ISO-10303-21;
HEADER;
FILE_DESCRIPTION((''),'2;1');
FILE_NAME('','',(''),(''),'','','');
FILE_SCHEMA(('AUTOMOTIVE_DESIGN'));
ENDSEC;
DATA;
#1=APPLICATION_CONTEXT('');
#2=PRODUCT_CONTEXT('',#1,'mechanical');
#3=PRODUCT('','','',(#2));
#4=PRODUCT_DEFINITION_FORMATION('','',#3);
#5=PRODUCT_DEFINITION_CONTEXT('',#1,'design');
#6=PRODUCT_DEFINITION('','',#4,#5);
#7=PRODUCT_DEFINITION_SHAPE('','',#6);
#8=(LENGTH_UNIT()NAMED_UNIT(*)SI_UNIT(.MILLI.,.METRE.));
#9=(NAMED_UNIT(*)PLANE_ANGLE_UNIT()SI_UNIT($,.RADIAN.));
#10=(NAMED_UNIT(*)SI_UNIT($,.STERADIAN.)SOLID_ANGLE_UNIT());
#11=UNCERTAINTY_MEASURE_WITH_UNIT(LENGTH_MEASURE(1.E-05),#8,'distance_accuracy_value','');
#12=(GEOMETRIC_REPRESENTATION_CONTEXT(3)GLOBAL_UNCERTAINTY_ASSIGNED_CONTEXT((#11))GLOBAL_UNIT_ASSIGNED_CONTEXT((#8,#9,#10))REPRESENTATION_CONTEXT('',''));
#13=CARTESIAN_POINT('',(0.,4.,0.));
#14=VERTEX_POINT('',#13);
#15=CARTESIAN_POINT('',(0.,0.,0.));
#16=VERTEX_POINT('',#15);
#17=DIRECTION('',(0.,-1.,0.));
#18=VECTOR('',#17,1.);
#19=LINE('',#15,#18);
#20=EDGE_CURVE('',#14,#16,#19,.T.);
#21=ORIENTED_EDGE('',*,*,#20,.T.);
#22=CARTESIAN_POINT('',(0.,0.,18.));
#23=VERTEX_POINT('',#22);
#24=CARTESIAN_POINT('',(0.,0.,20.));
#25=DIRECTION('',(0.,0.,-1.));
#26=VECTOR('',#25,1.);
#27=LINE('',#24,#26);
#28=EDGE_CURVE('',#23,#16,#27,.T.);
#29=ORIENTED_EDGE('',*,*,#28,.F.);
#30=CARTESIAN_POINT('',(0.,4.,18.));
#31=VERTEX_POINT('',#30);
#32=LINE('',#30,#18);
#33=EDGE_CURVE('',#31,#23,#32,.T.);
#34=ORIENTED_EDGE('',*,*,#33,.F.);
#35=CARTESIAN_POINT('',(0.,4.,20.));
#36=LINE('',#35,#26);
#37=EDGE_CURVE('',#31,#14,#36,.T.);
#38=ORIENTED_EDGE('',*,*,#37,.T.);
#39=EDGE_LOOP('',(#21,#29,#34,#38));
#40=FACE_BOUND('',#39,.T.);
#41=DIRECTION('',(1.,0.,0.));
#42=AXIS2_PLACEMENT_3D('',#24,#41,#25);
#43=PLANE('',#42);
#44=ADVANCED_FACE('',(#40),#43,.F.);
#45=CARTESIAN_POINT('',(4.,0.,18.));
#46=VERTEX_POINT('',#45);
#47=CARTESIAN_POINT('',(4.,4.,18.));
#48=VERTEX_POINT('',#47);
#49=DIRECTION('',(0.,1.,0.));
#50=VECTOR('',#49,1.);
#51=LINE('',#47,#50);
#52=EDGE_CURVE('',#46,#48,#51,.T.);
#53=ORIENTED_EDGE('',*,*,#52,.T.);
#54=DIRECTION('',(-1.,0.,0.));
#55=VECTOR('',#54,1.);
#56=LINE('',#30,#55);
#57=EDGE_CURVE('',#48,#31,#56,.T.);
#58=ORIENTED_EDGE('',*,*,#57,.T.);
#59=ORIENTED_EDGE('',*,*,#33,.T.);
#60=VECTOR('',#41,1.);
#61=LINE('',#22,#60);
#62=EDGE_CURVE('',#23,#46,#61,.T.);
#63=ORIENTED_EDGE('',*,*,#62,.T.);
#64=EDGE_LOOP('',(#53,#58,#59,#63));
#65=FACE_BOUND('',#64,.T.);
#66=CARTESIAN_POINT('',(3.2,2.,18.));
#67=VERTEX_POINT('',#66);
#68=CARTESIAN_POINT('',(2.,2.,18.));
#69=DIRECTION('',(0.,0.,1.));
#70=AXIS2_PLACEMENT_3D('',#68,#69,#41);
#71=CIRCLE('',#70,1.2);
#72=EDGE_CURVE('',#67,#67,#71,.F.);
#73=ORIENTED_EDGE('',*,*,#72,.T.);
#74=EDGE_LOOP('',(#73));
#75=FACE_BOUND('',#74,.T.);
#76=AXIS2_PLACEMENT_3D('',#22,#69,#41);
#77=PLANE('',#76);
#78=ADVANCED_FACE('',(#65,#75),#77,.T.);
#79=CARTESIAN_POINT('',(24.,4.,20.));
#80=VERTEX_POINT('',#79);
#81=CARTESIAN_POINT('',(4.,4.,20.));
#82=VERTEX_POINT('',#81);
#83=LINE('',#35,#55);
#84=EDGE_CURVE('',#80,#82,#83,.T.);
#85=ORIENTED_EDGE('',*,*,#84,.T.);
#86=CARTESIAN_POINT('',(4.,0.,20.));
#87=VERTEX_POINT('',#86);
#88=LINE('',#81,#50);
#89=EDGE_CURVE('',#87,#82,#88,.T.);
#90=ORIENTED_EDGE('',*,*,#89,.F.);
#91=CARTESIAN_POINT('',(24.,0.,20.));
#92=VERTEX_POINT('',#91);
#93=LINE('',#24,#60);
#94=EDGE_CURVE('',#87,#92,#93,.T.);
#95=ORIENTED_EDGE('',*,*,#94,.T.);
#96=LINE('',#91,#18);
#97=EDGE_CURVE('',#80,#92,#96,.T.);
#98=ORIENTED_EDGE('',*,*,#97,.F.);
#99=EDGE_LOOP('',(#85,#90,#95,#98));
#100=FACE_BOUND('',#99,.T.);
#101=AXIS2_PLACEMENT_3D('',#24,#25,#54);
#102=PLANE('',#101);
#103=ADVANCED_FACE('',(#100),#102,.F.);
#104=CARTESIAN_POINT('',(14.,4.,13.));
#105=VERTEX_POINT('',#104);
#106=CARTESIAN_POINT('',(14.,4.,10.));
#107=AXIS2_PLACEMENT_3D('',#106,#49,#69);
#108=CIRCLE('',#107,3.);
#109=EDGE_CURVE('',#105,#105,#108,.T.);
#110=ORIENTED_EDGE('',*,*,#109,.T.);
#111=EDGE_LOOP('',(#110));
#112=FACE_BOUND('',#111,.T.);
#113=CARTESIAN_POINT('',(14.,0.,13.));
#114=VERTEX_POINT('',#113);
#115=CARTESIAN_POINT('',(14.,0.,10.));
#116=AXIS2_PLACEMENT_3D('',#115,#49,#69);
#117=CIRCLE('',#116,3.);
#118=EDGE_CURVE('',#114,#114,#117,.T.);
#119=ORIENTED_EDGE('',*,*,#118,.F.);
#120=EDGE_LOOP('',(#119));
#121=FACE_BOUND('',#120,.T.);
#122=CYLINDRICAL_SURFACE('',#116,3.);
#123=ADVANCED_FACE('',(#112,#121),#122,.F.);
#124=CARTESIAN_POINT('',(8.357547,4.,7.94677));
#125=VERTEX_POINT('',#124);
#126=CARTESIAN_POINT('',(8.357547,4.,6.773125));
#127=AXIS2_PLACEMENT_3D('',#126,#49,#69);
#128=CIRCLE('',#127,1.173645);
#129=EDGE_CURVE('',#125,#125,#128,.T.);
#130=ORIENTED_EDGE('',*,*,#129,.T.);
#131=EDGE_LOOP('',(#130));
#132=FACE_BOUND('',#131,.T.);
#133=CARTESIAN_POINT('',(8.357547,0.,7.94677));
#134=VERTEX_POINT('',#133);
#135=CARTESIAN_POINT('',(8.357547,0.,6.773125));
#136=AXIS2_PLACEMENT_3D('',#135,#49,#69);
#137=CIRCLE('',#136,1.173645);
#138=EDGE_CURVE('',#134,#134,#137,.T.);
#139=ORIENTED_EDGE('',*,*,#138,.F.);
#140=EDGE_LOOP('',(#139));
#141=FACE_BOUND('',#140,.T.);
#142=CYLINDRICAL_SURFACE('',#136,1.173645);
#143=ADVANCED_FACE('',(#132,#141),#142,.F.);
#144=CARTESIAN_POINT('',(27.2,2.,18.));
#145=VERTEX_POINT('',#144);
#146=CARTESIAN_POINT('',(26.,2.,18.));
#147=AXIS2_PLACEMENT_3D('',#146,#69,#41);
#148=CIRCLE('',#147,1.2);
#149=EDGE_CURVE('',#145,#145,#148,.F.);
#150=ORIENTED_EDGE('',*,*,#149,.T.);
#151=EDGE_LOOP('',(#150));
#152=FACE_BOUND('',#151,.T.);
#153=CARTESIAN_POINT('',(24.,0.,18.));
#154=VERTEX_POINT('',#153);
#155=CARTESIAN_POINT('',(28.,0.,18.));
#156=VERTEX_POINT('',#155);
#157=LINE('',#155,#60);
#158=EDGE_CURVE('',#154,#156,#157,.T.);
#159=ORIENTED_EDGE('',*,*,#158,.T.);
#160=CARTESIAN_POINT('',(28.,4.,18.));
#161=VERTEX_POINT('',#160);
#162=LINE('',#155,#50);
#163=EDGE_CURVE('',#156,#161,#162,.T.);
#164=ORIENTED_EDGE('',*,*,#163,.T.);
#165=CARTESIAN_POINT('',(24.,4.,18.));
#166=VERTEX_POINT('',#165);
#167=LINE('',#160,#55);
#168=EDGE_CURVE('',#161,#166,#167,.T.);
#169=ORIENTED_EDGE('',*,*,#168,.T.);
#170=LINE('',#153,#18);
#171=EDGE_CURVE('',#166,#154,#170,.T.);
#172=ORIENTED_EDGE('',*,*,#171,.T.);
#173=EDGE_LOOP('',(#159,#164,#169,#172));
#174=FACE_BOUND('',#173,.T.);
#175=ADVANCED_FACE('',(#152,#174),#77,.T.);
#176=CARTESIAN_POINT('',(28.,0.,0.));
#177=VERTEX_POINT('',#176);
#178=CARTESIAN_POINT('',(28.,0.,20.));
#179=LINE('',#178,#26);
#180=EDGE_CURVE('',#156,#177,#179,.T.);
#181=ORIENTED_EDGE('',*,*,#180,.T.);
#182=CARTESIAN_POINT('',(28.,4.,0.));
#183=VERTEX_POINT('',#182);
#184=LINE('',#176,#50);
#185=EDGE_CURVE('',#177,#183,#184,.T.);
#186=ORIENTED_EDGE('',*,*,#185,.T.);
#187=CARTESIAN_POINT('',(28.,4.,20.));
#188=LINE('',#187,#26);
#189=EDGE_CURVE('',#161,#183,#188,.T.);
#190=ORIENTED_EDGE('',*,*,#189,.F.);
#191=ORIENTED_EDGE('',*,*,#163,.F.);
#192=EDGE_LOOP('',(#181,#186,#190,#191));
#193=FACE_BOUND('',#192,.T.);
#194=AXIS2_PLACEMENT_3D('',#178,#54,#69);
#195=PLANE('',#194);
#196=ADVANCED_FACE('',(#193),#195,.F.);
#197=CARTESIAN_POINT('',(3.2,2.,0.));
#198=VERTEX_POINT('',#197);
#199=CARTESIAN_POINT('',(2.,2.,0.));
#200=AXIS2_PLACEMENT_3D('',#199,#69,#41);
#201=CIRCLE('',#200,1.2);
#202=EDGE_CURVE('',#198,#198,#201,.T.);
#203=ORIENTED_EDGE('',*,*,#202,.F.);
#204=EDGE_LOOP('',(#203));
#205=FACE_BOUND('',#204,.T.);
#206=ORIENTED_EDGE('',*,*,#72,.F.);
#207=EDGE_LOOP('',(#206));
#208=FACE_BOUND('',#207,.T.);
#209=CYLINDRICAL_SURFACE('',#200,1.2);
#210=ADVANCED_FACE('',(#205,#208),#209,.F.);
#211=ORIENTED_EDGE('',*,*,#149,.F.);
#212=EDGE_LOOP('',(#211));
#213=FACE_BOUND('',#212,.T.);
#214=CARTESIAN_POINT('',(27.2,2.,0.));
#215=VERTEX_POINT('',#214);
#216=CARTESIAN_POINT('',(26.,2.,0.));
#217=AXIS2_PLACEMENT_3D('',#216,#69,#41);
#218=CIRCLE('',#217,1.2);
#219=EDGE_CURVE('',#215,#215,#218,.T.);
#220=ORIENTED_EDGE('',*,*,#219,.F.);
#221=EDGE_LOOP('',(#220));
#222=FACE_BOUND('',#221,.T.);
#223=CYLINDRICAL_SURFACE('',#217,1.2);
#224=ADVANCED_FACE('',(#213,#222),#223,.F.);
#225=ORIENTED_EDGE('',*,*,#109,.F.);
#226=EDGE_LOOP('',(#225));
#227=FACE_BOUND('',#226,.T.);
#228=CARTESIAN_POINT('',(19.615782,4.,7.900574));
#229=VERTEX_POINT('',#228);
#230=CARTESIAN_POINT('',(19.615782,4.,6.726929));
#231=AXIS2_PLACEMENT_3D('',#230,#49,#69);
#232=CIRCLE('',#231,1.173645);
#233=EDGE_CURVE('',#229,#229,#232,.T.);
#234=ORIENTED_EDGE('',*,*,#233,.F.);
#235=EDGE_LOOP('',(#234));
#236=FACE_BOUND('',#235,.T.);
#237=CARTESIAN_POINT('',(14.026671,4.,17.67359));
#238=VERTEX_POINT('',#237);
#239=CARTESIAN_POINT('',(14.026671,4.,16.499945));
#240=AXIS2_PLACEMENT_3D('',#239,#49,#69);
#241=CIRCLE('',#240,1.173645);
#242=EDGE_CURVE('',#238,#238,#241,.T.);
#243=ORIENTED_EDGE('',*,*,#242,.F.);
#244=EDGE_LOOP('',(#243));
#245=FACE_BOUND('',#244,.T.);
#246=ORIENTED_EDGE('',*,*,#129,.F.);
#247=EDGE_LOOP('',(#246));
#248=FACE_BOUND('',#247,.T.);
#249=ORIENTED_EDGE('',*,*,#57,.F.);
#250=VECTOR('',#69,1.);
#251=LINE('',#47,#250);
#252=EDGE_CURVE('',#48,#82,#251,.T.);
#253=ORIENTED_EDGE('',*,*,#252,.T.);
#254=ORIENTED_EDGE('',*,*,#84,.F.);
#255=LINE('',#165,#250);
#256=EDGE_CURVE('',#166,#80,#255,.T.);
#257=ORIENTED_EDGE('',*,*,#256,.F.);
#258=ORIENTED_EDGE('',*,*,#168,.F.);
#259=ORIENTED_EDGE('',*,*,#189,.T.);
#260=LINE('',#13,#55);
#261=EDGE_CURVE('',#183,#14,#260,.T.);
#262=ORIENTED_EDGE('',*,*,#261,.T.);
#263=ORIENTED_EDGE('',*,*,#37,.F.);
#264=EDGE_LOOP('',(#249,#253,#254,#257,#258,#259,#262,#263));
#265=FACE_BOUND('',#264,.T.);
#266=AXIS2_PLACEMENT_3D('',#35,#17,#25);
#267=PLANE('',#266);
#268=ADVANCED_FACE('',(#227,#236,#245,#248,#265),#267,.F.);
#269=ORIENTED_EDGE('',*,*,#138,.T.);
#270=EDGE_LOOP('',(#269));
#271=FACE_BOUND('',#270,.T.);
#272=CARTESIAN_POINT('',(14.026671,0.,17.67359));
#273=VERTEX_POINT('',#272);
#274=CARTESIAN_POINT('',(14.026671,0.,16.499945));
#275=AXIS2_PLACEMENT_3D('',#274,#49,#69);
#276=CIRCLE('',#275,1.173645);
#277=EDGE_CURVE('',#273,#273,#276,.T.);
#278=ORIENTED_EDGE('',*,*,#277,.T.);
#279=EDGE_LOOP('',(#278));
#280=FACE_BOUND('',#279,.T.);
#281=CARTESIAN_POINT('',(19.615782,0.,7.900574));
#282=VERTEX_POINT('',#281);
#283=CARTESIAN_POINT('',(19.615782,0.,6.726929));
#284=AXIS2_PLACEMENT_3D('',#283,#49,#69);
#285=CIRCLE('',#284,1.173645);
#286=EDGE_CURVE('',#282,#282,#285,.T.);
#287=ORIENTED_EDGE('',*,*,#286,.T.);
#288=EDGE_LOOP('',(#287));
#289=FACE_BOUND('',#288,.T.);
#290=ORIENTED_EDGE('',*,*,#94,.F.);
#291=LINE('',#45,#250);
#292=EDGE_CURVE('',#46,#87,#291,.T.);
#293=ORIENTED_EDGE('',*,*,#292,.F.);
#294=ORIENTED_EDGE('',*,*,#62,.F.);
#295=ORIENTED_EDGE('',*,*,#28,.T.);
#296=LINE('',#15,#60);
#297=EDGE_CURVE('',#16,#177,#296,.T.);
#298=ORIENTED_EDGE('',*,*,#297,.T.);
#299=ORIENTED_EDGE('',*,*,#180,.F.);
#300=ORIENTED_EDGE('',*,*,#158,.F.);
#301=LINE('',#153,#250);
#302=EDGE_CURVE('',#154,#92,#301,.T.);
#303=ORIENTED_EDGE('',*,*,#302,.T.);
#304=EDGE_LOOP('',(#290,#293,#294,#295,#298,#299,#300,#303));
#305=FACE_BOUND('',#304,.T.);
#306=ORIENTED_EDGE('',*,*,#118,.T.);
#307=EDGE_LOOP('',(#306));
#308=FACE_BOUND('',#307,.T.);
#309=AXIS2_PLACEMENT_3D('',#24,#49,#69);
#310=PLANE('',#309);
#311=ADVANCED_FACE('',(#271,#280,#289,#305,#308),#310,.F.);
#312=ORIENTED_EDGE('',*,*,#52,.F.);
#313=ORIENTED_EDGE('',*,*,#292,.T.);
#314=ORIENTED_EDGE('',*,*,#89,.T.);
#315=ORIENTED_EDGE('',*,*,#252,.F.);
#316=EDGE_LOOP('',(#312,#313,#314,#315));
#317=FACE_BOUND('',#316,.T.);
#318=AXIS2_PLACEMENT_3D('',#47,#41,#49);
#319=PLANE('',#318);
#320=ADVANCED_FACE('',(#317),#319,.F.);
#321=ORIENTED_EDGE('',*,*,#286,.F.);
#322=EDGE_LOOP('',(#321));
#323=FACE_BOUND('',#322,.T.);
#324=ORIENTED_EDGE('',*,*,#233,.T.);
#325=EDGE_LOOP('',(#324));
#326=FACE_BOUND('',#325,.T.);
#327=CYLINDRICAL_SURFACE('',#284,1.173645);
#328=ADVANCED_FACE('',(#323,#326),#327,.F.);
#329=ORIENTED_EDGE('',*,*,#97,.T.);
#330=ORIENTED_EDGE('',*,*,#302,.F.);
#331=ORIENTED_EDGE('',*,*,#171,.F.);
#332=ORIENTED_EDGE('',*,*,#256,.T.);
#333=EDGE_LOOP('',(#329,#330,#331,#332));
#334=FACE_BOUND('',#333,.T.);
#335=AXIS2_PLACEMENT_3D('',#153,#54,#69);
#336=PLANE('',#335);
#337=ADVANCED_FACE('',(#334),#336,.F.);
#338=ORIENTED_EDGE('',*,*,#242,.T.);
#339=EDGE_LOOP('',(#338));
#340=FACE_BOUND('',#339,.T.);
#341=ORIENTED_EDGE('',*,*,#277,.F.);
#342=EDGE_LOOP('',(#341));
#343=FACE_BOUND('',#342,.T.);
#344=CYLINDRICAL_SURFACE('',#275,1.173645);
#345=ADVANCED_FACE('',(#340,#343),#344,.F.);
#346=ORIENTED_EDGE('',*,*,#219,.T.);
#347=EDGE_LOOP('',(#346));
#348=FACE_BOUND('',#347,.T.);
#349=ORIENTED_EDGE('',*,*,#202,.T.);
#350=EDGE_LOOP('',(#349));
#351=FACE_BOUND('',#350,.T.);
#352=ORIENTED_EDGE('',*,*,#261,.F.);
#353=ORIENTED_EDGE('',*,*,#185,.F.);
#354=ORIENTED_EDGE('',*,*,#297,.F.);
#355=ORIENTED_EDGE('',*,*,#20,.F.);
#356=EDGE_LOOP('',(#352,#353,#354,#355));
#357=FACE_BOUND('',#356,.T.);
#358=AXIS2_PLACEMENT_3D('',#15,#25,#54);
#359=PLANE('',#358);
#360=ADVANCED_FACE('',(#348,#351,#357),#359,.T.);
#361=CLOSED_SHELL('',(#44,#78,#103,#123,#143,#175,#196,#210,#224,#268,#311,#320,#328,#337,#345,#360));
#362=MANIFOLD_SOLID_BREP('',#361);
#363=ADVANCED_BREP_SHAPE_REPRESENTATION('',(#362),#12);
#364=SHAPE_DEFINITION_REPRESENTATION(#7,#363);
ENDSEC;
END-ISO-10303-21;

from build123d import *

# Parameters (mm, degrees)
ESQUISSE1_W             = 28
ESQUISSE1_H             = 4
BOSS_EXTRU_1_DEPTH      = 20
ESQUISSE2_R             = 1.2
ENL_V_MAT_EXTRU_1_DEPTH = 35.641016151
ESQUISSE3_R             = 3
ESQUISSE3_R_2           = 1.173644897
ENL_V_MAT_EXTRU_3_DEPTH = 35.641016151
ESQUISSE4_W             = 4
ESQUISSE4_H             = 4
ENL_V_MAT_EXTRU_4_DEPTH = 2


with BuildPart() as part:
    # Esquisse1 → Boss.-Extru.1 (new body)
    with BuildSketch(Plane.XY):
        with Locations((14, 2)):
            Rectangle(ESQUISSE1_W, ESQUISSE1_H)
    extrude(amount=BOSS_EXTRU_1_DEPTH)

    # Esquisse2 → Enlèv. mat.-Extru.1 (cut, through all)
    with BuildSketch(Plane.XY.offset(20)):
        with Locations((2, 2)):
            Circle(ESQUISSE2_R)
        with Locations((26, 2)):
            Circle(ESQUISSE2_R)
    extrude(amount=-ENL_V_MAT_EXTRU_1_DEPTH, mode=Mode.SUBTRACT)

    # Esquisse3 → Enlèv. mat.-Extru.3 (cut, through all)
    with BuildSketch(Plane(origin=(0, 4, 0), x_dir=(1, 0, 0), z_dir=(0, 1, 0))):
        with Locations(Location((14, -10, 0), (0, 0, 270))):
            Circle(ESQUISSE3_R)
        with Locations(Location((8.35754662, -6.773125373, 0), (0, 0, 270))):
            Circle(ESQUISSE3_R_2)
        with Locations(Location((19.615782092, -6.726929347, 0), (0, 0, 270))):
            Circle(ESQUISSE3_R_2)
        with Locations(Location((14.026671288, -16.49994528, 0), (0, 0, 270))):
            Circle(ESQUISSE3_R_2)
    extrude(amount=-ENL_V_MAT_EXTRU_3_DEPTH, mode=Mode.SUBTRACT)

    # Esquisse4 → Enlèv. mat.-Extru.4 (cut)
    with BuildSketch(Plane.XY.offset(20)):
        with Locations((2, 2)):
            Rectangle(ESQUISSE4_W, ESQUISSE4_H)
        with Locations((26, 2)):
            Rectangle(ESQUISSE4_W, ESQUISSE4_H)
    extrude(amount=-ENL_V_MAT_EXTRU_4_DEPTH, mode=Mode.SUBTRACT)


solid = part.part
